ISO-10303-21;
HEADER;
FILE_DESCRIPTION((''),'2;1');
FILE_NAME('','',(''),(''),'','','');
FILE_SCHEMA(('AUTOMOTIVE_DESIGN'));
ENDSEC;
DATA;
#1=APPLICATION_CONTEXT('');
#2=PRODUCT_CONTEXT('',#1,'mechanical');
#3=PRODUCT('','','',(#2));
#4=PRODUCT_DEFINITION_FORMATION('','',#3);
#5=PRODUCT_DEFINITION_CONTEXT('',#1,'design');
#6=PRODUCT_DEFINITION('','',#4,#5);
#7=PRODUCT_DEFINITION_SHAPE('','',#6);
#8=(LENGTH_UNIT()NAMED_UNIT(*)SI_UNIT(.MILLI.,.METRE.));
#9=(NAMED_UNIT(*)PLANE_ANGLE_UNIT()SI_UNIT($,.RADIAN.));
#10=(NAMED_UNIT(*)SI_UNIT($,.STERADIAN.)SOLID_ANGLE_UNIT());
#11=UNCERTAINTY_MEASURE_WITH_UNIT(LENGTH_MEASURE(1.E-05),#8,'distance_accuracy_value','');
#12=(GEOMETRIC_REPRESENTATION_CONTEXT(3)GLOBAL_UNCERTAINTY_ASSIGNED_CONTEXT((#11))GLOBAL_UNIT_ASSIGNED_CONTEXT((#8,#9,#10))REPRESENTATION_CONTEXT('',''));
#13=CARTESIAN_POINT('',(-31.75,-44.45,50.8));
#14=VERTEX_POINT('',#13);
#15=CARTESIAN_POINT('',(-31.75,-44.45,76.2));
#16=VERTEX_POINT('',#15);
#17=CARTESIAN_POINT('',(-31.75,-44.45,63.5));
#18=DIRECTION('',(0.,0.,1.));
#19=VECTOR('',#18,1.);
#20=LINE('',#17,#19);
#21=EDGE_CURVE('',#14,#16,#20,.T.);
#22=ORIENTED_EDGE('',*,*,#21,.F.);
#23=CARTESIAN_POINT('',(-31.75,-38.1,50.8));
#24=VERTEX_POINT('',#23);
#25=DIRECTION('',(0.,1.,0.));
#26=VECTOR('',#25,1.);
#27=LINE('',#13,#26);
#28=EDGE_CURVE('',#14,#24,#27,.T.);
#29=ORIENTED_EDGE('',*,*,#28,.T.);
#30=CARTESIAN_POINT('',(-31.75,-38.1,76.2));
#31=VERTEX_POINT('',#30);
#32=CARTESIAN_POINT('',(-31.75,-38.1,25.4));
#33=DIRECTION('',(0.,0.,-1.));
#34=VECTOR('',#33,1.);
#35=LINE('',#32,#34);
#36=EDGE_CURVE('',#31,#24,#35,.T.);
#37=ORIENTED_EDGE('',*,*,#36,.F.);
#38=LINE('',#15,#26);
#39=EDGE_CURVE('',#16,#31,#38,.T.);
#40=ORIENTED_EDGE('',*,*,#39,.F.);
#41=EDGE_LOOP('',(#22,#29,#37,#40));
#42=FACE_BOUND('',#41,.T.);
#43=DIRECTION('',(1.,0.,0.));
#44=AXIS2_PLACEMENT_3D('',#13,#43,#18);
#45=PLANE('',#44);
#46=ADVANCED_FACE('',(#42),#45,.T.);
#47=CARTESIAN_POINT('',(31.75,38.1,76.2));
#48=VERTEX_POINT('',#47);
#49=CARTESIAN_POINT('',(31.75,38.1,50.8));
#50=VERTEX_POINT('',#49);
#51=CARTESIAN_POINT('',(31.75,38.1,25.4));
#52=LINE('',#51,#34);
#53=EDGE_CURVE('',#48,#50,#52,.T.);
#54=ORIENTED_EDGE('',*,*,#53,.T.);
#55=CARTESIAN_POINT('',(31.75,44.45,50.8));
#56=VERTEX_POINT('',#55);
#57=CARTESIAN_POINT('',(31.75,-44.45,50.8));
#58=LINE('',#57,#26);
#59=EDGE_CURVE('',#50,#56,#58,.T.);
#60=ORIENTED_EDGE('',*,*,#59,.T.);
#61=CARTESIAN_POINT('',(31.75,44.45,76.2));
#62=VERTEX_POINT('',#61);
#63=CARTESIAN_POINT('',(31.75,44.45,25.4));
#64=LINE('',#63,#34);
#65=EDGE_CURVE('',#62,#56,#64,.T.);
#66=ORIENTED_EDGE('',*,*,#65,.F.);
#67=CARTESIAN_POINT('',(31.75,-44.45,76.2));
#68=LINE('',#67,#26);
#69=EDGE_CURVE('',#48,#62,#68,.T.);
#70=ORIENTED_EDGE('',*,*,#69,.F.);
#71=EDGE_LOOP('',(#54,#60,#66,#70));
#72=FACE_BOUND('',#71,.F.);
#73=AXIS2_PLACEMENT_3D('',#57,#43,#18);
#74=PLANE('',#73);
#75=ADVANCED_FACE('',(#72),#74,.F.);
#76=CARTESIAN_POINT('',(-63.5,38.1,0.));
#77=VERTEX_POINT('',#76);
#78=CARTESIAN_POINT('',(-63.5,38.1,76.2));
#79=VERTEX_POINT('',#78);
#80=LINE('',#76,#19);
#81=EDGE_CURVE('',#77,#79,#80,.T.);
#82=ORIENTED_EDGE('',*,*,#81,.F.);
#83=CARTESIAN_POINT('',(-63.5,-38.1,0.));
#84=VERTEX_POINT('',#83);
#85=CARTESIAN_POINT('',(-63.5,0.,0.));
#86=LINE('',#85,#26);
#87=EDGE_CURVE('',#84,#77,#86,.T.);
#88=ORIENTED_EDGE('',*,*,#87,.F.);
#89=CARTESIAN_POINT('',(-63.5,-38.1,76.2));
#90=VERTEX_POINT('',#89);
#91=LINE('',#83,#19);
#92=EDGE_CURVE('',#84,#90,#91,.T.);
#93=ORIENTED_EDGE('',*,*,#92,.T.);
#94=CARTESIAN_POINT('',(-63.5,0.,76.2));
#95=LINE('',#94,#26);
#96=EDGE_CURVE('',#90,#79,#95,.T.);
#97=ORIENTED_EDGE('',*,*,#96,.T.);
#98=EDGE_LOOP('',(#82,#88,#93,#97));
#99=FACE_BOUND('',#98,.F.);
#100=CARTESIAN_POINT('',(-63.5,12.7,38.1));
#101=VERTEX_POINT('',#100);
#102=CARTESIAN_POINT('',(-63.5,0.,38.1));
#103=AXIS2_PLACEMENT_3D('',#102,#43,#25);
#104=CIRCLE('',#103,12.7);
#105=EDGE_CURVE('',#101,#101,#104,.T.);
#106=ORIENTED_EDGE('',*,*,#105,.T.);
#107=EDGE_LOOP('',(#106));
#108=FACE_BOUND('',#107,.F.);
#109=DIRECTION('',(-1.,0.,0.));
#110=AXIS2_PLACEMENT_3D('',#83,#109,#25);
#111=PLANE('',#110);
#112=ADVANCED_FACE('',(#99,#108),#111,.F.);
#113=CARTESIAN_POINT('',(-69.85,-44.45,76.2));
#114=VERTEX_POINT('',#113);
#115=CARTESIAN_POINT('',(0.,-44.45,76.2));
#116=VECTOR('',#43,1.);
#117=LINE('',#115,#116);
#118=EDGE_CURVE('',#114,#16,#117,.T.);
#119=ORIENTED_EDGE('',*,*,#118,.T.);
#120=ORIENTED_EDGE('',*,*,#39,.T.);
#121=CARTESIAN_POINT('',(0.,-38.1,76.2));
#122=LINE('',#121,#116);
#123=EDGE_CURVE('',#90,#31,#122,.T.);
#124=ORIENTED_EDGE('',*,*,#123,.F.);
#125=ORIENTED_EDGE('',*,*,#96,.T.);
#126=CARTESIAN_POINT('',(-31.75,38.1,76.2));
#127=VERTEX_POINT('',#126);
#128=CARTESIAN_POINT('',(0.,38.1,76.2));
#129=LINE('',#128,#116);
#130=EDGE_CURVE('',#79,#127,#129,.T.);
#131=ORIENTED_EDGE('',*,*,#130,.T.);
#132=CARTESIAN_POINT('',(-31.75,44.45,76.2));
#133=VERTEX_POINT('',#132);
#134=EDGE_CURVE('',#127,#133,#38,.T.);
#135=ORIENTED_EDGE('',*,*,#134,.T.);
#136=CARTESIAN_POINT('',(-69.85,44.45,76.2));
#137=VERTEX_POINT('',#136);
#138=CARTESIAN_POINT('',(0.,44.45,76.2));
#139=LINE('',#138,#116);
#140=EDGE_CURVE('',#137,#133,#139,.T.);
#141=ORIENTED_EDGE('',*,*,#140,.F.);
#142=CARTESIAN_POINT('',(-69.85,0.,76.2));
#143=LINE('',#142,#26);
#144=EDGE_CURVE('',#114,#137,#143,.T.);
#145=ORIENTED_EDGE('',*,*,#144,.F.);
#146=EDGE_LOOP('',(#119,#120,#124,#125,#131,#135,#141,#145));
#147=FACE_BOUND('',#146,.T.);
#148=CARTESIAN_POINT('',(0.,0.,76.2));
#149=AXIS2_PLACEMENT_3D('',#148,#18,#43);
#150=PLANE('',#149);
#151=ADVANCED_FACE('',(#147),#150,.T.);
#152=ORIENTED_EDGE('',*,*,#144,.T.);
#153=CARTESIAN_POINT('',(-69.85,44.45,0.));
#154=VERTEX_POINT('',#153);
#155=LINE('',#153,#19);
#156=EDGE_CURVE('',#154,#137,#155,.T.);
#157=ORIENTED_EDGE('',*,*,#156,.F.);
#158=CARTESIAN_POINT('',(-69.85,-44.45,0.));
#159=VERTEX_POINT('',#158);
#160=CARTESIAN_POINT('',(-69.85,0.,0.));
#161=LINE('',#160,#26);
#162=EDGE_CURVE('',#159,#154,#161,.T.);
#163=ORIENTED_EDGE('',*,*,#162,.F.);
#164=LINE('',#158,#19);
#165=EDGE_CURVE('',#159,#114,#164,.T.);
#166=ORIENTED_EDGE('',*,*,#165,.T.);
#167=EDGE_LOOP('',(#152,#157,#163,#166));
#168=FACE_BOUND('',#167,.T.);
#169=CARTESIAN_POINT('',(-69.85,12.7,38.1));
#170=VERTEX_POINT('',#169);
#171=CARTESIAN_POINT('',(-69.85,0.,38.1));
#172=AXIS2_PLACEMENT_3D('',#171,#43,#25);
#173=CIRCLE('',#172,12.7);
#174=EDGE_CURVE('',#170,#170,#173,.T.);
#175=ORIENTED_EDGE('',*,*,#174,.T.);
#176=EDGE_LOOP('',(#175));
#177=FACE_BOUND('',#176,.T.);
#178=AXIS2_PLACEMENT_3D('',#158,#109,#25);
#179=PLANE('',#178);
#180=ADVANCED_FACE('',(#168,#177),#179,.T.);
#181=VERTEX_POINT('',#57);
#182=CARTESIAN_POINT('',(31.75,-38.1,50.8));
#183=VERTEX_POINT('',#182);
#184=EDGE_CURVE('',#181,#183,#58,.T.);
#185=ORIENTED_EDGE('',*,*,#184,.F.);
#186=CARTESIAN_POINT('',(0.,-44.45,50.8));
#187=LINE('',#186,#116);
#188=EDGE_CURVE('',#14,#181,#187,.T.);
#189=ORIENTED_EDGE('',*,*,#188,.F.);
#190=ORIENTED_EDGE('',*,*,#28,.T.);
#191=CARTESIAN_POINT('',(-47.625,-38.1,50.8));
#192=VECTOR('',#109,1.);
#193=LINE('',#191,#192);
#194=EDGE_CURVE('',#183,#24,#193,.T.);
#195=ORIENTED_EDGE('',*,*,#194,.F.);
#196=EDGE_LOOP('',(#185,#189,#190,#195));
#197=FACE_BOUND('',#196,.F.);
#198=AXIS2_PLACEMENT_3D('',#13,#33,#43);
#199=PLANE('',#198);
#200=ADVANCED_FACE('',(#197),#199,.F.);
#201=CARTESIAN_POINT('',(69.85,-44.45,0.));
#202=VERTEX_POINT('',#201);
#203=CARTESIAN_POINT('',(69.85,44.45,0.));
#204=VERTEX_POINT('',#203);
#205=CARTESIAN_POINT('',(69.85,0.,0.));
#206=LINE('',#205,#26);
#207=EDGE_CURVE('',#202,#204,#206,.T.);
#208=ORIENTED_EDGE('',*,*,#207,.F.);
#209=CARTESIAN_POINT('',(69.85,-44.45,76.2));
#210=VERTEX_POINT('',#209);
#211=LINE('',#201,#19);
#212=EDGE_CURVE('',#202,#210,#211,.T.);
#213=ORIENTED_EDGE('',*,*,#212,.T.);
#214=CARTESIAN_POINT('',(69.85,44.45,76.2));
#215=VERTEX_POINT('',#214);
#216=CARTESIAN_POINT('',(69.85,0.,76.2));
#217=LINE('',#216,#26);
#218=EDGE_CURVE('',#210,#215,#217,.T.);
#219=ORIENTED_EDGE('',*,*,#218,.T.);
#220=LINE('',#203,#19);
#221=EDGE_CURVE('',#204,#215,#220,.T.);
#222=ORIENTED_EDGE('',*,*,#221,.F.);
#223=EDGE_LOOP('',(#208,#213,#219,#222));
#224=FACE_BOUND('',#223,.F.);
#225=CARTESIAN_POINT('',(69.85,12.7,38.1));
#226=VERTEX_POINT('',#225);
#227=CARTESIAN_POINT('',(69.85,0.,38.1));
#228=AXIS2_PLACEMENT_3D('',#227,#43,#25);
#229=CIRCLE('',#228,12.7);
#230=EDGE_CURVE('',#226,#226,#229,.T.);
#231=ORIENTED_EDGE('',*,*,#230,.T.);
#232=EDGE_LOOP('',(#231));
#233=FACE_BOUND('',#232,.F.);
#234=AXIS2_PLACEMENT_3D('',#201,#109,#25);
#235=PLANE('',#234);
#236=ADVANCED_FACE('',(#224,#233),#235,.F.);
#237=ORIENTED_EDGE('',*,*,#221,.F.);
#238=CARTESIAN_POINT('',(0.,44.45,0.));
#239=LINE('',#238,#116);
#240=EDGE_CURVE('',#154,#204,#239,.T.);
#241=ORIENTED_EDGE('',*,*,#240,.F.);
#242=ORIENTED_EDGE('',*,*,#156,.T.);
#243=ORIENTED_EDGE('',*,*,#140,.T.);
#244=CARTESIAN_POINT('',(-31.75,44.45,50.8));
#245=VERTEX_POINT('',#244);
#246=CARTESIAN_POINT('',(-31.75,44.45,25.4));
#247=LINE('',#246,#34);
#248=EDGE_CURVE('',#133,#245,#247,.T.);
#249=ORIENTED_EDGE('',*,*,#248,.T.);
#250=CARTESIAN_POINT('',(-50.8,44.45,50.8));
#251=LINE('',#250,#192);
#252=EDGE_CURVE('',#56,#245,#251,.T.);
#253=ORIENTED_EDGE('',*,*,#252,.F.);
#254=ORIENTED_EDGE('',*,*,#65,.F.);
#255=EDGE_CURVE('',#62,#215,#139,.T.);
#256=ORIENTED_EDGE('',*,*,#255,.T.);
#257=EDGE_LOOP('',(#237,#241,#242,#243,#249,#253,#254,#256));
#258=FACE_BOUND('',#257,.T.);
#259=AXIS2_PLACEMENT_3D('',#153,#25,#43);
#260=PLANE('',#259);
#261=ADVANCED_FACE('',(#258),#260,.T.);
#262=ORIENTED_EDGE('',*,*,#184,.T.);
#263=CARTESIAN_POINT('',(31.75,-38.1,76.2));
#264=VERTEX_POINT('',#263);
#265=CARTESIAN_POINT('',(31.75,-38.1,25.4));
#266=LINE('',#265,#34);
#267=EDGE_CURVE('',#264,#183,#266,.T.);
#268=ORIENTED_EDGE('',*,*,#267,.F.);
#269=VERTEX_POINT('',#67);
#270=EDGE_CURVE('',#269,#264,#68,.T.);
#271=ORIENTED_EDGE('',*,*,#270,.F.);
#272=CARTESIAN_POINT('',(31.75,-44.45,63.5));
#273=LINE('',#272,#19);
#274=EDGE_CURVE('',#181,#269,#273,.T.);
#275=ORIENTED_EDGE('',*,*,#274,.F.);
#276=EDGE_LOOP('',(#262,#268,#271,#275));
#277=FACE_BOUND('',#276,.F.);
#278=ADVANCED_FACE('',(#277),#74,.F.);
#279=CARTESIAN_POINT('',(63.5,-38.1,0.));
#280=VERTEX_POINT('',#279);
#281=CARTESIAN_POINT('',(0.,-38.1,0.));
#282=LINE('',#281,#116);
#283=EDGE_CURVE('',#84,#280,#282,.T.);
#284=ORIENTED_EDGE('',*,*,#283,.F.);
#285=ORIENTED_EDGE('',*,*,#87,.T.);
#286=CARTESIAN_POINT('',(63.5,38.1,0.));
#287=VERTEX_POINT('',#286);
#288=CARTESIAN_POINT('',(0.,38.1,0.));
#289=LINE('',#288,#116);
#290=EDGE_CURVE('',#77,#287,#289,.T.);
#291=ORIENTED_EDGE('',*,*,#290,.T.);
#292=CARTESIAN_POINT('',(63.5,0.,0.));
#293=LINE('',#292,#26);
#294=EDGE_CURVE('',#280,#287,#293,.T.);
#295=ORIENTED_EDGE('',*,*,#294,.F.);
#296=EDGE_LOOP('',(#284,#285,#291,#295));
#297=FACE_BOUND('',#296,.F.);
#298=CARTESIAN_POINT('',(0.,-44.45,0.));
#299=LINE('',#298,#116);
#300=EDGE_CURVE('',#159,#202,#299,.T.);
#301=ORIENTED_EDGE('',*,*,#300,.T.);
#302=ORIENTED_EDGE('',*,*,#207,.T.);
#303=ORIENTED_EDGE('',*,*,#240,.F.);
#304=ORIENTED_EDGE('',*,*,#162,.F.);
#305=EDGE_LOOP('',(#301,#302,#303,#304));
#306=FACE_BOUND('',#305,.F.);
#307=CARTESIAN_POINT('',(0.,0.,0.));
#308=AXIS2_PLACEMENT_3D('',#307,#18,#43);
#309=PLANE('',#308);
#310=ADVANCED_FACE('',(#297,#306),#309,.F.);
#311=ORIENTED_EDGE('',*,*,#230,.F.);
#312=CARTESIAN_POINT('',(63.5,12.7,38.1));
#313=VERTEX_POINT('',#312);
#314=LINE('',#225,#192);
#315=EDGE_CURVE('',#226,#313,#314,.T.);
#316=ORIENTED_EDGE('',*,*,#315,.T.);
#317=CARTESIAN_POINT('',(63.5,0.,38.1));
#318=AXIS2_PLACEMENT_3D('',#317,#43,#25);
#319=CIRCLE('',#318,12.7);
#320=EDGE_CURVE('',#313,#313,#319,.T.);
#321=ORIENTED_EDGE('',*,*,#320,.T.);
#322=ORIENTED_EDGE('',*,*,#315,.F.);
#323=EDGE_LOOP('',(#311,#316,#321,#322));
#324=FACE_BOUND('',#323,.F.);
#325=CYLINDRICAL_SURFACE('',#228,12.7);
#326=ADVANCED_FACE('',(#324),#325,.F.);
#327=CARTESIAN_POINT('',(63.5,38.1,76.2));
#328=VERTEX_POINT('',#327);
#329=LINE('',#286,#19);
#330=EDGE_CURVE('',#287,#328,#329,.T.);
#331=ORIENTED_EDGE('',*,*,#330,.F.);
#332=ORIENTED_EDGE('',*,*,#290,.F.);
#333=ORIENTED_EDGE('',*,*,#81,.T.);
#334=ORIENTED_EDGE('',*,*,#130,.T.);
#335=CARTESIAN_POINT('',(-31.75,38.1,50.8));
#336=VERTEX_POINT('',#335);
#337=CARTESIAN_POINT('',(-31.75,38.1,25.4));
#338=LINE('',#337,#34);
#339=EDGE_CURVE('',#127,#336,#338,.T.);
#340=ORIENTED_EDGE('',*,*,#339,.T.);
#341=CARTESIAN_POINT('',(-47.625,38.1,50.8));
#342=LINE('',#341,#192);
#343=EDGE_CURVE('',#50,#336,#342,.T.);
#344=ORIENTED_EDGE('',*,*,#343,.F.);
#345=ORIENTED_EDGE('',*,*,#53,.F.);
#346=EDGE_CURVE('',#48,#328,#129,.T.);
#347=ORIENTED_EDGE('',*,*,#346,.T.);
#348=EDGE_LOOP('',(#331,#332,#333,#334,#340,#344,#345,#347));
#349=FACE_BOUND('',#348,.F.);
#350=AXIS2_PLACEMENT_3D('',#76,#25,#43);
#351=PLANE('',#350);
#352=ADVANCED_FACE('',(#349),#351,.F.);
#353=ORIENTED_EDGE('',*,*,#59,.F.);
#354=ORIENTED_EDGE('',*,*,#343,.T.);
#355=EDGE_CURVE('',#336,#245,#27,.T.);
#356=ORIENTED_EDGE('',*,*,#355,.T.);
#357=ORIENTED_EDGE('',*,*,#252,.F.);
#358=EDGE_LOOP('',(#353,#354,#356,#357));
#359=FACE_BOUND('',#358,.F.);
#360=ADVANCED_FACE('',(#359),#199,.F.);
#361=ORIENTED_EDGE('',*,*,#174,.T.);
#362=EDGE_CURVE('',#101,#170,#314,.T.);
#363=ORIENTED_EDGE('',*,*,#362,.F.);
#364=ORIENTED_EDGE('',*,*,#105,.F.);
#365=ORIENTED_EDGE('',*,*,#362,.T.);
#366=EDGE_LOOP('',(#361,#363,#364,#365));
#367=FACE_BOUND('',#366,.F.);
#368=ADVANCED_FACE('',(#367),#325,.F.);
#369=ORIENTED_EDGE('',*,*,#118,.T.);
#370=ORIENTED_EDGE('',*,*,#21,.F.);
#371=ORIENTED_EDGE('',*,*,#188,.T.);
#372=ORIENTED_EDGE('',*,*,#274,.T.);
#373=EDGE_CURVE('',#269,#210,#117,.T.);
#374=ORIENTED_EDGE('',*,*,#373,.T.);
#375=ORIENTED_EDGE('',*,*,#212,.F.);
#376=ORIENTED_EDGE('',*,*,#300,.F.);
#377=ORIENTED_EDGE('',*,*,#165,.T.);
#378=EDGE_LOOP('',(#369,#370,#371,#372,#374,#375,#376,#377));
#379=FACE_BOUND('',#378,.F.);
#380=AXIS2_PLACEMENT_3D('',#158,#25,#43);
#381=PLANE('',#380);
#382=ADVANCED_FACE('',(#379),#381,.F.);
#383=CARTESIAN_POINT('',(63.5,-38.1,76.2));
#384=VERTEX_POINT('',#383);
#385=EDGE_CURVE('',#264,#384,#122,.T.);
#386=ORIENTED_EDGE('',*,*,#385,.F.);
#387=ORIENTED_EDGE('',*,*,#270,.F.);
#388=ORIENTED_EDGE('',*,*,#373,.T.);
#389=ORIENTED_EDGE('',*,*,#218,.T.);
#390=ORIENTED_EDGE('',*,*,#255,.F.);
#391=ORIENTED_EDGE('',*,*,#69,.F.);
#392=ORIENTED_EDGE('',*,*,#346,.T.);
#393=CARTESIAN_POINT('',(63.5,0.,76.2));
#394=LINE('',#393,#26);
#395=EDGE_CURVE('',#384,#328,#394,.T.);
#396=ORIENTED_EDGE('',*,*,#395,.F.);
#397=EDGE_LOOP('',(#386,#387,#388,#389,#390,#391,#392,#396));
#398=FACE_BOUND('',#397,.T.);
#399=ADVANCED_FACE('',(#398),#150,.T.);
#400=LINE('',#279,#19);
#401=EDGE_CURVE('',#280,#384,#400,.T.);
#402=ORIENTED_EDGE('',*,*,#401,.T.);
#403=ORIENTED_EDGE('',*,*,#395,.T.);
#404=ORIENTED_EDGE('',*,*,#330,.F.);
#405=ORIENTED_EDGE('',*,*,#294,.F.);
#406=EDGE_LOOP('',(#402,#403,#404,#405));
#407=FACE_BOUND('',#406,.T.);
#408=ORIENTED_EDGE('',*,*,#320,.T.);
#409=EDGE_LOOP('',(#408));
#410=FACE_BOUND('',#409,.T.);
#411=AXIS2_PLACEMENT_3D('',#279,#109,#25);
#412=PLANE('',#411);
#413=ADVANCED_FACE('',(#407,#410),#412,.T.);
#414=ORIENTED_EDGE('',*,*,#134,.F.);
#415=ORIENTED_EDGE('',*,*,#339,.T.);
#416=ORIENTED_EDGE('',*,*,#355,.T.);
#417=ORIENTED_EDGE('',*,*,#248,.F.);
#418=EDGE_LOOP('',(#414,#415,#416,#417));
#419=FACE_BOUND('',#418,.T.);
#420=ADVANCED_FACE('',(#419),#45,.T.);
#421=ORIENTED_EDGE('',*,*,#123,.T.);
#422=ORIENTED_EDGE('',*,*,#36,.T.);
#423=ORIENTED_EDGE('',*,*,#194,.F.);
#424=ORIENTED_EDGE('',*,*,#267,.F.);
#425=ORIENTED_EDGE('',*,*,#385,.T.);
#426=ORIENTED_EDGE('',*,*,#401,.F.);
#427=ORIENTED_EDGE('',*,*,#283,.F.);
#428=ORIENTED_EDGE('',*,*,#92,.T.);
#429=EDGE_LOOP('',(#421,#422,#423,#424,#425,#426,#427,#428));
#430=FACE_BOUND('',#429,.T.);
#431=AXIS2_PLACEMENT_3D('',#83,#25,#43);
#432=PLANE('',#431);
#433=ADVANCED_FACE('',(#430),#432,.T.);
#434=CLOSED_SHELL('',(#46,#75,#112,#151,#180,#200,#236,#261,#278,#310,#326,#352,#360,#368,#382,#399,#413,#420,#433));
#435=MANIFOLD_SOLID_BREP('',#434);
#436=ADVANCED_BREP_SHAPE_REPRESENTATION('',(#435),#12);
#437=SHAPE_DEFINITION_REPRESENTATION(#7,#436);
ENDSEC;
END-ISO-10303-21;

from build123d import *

# Parameters (mm, degrees)
F0_W     = 139.7
F0_H     = 88.9
F0_W_2   = 127
F0_H_2   = 76.2
F1_DEPTH = 76.2
F2_W     = 63.5
F2_H     = 25.4
F3_DEPTH = 166.37
F4_R     = 12.7
F5_DEPTH = 213.36


with BuildPart() as f1:
    # F0 (on Top) → F1 (new body)
    with BuildSketch(Plane.XY):
        Rectangle(F0_W, F0_H)
        Rectangle(F0_W_2, F0_H_2, mode=Mode.SUBTRACT)
    extrude(amount=F1_DEPTH)

    # F2 (on face) → F3 (cut)
    with BuildSketch(Plane.XZ.offset(44.45)):
        with Locations((0, 63.5)):
            Rectangle(F2_W, F2_H)
    extrude(amount=-F3_DEPTH, mode=Mode.SUBTRACT)

    # F4 (on face) → F5 (cut)
    with BuildSketch(Plane.YZ.offset(69.85)):
        with Locations((0, 38.1)):
            Circle(F4_R)
    extrude(amount=-F5_DEPTH, mode=Mode.SUBTRACT)


solid = f1.part
